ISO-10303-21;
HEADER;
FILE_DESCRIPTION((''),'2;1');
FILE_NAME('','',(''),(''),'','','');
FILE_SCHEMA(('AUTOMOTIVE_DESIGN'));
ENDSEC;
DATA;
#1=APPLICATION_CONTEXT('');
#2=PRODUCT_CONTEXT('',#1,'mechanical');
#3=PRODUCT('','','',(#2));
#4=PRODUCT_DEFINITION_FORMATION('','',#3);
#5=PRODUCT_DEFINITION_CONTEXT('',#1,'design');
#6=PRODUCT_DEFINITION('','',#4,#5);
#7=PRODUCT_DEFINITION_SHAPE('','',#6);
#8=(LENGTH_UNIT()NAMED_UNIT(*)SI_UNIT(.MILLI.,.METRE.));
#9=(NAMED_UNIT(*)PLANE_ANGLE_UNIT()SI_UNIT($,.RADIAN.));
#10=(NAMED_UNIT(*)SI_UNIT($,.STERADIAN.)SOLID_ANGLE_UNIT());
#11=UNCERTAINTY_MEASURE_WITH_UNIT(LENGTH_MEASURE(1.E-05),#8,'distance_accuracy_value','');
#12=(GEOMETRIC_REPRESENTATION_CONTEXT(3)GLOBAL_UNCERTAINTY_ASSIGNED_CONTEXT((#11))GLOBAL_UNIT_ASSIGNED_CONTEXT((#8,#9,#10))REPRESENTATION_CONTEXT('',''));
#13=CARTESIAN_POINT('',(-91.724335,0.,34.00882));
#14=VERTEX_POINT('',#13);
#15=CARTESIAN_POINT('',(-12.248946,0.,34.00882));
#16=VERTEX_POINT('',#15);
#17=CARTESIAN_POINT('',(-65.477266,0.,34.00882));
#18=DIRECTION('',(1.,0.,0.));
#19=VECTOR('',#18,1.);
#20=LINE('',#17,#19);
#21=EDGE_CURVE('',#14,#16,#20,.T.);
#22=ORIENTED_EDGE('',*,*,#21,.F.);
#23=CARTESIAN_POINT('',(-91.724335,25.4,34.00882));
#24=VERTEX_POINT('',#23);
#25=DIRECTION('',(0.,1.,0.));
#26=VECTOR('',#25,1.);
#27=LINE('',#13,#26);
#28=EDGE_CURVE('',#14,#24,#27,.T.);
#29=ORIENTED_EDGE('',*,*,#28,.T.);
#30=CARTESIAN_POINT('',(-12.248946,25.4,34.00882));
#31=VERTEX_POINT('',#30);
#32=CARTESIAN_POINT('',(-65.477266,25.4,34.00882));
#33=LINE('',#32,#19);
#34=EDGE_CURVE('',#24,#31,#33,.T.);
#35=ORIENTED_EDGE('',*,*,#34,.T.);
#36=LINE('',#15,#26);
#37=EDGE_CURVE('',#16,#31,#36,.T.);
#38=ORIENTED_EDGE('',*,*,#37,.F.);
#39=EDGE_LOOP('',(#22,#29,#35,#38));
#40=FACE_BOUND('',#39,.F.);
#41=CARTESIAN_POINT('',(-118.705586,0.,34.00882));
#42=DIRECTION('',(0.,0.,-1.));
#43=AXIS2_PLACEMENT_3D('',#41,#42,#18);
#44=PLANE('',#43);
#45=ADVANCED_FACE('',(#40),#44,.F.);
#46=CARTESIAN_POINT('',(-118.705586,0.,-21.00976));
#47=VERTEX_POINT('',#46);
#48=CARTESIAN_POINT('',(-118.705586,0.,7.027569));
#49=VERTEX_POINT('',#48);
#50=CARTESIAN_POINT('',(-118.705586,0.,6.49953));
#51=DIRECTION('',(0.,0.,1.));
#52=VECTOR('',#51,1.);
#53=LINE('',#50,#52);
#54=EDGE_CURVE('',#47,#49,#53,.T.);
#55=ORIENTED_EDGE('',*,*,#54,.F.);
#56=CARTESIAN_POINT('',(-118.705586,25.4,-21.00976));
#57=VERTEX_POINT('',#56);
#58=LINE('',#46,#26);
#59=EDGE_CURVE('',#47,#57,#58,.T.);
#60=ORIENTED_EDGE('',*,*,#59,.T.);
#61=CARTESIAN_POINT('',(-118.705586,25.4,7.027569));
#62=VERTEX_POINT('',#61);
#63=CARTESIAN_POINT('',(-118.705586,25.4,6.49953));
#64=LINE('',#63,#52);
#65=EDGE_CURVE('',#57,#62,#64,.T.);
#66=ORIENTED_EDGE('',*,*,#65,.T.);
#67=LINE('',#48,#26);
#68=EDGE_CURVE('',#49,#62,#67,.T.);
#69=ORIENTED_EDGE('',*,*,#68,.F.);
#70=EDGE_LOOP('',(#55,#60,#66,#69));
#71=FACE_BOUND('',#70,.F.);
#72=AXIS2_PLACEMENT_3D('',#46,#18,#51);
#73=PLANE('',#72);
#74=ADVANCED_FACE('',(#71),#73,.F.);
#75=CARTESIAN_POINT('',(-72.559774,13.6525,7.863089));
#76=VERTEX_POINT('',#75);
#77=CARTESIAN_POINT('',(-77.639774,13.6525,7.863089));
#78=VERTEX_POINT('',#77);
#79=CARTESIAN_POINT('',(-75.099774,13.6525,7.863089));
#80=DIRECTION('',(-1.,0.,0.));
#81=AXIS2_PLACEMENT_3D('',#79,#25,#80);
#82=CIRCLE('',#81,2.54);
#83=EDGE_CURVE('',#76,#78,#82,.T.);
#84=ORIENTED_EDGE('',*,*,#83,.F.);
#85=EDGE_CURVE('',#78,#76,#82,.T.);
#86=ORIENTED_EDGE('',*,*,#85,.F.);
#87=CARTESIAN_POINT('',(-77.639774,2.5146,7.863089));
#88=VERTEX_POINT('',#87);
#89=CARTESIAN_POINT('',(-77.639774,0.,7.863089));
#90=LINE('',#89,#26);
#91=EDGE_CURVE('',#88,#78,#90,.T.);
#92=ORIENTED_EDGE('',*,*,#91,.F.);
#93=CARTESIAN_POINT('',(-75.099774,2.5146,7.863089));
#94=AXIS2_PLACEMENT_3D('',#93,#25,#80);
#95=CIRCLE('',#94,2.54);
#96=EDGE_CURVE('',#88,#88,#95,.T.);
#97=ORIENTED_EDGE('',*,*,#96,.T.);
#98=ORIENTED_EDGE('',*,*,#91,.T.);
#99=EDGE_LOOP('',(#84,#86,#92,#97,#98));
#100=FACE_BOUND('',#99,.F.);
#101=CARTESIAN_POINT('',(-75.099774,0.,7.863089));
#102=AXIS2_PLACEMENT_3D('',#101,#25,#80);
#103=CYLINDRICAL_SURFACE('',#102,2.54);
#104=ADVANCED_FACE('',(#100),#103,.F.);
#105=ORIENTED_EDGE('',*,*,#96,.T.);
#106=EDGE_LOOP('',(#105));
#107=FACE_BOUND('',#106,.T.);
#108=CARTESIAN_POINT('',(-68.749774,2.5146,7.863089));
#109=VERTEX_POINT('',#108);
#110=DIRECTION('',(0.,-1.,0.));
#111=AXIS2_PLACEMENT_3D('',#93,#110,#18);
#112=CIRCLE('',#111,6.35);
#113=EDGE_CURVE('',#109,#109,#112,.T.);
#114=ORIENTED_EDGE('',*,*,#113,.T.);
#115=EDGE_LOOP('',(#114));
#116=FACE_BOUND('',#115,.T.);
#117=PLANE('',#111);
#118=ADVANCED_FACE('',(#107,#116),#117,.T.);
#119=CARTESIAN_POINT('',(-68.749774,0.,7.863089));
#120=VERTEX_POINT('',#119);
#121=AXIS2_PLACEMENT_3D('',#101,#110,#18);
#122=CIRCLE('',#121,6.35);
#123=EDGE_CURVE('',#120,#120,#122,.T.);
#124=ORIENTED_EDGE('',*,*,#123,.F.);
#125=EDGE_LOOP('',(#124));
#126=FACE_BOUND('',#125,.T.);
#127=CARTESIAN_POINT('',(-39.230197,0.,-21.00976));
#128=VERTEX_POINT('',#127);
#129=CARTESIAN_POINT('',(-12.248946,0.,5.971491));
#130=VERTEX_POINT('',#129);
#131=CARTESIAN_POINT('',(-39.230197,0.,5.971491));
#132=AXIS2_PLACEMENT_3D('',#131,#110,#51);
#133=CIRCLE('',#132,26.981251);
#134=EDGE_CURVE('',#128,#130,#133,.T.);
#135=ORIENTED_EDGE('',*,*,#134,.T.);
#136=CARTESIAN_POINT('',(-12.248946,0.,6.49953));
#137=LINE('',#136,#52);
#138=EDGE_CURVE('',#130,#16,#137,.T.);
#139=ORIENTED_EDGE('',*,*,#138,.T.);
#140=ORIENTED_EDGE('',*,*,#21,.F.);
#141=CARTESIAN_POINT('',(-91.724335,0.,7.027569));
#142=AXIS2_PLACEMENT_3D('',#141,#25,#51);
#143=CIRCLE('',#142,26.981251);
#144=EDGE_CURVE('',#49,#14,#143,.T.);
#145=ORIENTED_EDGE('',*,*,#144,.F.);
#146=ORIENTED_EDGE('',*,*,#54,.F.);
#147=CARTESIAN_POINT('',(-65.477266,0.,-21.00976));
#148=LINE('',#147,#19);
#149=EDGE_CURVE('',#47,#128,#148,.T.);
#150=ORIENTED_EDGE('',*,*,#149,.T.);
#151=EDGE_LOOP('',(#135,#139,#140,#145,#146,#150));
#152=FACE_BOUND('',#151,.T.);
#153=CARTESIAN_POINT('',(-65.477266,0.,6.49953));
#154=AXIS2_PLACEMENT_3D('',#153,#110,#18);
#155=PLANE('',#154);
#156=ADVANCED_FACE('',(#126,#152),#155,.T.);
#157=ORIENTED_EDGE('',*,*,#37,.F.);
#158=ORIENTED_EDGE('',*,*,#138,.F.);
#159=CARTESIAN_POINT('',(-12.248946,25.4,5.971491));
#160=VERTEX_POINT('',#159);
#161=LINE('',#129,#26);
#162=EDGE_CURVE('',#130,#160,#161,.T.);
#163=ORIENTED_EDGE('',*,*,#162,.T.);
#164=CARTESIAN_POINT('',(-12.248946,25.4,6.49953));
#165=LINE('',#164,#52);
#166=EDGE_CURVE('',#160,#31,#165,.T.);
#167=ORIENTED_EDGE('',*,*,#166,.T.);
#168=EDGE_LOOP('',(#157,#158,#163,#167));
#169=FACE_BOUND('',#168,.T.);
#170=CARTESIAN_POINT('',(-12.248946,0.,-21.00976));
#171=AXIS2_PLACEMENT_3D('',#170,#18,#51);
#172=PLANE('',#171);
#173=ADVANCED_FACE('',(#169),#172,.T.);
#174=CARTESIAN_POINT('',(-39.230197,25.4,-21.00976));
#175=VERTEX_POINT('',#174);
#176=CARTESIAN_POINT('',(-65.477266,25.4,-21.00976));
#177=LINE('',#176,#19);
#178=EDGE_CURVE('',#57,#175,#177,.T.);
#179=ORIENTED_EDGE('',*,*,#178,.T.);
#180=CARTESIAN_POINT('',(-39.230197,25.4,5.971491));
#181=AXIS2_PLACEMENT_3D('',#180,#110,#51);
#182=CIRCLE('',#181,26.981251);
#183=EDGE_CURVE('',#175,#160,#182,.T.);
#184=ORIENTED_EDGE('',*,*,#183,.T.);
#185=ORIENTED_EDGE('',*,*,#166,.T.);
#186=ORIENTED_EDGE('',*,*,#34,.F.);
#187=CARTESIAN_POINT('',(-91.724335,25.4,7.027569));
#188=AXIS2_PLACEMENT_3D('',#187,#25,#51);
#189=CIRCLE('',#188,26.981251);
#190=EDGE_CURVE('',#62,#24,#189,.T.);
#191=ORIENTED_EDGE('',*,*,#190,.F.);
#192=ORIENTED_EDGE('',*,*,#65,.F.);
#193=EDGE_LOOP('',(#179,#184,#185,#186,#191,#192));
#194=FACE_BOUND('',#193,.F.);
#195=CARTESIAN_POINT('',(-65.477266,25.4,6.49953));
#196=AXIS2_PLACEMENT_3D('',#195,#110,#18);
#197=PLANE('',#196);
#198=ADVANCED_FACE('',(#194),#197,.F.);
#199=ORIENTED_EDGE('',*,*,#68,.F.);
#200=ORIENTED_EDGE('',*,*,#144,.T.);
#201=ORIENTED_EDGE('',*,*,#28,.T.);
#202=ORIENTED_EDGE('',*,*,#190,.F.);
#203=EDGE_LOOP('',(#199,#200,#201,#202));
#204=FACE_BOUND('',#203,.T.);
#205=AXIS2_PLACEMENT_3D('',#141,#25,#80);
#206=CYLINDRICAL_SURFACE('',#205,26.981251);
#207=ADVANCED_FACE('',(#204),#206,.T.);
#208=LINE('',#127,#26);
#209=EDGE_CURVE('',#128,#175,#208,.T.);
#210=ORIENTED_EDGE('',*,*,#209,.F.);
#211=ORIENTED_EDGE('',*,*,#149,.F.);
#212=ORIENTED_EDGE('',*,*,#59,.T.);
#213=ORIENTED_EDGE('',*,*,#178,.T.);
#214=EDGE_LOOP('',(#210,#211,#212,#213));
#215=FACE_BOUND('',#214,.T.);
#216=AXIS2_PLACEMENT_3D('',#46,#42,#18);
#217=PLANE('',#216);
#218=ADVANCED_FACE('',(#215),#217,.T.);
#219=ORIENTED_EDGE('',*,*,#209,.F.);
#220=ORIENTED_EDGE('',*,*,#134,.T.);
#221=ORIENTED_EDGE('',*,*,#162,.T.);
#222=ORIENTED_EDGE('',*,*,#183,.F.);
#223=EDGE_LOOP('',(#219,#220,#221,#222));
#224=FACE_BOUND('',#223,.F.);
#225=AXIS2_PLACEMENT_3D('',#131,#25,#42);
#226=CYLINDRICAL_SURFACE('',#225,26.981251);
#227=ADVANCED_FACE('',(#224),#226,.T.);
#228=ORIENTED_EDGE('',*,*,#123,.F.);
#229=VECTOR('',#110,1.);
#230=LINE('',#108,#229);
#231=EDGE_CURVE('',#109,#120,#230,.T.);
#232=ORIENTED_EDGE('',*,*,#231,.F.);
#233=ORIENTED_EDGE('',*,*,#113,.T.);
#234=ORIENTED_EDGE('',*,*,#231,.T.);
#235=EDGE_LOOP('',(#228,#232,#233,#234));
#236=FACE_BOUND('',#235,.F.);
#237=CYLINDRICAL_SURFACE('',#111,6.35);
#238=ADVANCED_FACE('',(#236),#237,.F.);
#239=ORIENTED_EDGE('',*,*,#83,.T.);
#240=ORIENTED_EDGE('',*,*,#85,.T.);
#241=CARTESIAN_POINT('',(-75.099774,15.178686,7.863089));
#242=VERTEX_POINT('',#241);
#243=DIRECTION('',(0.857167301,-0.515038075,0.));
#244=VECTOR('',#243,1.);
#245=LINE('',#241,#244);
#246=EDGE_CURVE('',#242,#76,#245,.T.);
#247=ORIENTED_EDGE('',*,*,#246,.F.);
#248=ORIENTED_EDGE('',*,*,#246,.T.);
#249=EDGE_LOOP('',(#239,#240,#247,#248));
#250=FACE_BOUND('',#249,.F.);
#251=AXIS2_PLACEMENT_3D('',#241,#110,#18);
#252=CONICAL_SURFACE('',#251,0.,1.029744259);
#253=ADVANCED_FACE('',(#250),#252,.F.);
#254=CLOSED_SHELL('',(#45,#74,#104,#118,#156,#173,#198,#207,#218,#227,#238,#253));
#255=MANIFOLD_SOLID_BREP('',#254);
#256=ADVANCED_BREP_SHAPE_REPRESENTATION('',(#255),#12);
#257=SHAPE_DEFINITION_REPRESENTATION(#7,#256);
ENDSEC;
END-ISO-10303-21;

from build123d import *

# Parameters (mm, degrees)
F0_W           = 106.4566392452
F0_H           = 55.0185795873
F1_DEPTH       = 25.4
F2_R           = 26.9812507731
F3_D           = 5.08
F3_DEPTH       = 13.6525
F3_CBORE_D     = 12.7
F3_CBORE_DEPTH = 2.5146
F3_TIP         = 1.5261859723


with BuildPart() as f1:
    # F0 (on Front) → F1 (new body)
    with BuildSketch(Plane.XZ):
        with Locations((-65.4772659764, 6.4995298162)):
            Rectangle(F0_W, F0_H)
    extrude(amount=-F1_DEPTH)

    # F2
    f2_edges = [f1.edges().sort_by_distance(p)[0] for p in [
        (-12.248946, 12.7, -21.00976),
        (-118.705586, 12.7, 34.00882),
    ]]
    fillet(f2_edges, radius=F2_R)

    # F3
    with Locations(Plane.XZ):
        with Locations((-75.099773705, 7.8630894423)):
            CounterBoreHole(F3_D / 2, F3_CBORE_D / 2, F3_CBORE_DEPTH, depth=F3_DEPTH)
            with Locations((0, 0, -(F3_DEPTH + F3_TIP / 2))):  # 118° drill point
                Cone(0, F3_D / 2, F3_TIP, mode=Mode.SUBTRACT)


solid = f1.part
